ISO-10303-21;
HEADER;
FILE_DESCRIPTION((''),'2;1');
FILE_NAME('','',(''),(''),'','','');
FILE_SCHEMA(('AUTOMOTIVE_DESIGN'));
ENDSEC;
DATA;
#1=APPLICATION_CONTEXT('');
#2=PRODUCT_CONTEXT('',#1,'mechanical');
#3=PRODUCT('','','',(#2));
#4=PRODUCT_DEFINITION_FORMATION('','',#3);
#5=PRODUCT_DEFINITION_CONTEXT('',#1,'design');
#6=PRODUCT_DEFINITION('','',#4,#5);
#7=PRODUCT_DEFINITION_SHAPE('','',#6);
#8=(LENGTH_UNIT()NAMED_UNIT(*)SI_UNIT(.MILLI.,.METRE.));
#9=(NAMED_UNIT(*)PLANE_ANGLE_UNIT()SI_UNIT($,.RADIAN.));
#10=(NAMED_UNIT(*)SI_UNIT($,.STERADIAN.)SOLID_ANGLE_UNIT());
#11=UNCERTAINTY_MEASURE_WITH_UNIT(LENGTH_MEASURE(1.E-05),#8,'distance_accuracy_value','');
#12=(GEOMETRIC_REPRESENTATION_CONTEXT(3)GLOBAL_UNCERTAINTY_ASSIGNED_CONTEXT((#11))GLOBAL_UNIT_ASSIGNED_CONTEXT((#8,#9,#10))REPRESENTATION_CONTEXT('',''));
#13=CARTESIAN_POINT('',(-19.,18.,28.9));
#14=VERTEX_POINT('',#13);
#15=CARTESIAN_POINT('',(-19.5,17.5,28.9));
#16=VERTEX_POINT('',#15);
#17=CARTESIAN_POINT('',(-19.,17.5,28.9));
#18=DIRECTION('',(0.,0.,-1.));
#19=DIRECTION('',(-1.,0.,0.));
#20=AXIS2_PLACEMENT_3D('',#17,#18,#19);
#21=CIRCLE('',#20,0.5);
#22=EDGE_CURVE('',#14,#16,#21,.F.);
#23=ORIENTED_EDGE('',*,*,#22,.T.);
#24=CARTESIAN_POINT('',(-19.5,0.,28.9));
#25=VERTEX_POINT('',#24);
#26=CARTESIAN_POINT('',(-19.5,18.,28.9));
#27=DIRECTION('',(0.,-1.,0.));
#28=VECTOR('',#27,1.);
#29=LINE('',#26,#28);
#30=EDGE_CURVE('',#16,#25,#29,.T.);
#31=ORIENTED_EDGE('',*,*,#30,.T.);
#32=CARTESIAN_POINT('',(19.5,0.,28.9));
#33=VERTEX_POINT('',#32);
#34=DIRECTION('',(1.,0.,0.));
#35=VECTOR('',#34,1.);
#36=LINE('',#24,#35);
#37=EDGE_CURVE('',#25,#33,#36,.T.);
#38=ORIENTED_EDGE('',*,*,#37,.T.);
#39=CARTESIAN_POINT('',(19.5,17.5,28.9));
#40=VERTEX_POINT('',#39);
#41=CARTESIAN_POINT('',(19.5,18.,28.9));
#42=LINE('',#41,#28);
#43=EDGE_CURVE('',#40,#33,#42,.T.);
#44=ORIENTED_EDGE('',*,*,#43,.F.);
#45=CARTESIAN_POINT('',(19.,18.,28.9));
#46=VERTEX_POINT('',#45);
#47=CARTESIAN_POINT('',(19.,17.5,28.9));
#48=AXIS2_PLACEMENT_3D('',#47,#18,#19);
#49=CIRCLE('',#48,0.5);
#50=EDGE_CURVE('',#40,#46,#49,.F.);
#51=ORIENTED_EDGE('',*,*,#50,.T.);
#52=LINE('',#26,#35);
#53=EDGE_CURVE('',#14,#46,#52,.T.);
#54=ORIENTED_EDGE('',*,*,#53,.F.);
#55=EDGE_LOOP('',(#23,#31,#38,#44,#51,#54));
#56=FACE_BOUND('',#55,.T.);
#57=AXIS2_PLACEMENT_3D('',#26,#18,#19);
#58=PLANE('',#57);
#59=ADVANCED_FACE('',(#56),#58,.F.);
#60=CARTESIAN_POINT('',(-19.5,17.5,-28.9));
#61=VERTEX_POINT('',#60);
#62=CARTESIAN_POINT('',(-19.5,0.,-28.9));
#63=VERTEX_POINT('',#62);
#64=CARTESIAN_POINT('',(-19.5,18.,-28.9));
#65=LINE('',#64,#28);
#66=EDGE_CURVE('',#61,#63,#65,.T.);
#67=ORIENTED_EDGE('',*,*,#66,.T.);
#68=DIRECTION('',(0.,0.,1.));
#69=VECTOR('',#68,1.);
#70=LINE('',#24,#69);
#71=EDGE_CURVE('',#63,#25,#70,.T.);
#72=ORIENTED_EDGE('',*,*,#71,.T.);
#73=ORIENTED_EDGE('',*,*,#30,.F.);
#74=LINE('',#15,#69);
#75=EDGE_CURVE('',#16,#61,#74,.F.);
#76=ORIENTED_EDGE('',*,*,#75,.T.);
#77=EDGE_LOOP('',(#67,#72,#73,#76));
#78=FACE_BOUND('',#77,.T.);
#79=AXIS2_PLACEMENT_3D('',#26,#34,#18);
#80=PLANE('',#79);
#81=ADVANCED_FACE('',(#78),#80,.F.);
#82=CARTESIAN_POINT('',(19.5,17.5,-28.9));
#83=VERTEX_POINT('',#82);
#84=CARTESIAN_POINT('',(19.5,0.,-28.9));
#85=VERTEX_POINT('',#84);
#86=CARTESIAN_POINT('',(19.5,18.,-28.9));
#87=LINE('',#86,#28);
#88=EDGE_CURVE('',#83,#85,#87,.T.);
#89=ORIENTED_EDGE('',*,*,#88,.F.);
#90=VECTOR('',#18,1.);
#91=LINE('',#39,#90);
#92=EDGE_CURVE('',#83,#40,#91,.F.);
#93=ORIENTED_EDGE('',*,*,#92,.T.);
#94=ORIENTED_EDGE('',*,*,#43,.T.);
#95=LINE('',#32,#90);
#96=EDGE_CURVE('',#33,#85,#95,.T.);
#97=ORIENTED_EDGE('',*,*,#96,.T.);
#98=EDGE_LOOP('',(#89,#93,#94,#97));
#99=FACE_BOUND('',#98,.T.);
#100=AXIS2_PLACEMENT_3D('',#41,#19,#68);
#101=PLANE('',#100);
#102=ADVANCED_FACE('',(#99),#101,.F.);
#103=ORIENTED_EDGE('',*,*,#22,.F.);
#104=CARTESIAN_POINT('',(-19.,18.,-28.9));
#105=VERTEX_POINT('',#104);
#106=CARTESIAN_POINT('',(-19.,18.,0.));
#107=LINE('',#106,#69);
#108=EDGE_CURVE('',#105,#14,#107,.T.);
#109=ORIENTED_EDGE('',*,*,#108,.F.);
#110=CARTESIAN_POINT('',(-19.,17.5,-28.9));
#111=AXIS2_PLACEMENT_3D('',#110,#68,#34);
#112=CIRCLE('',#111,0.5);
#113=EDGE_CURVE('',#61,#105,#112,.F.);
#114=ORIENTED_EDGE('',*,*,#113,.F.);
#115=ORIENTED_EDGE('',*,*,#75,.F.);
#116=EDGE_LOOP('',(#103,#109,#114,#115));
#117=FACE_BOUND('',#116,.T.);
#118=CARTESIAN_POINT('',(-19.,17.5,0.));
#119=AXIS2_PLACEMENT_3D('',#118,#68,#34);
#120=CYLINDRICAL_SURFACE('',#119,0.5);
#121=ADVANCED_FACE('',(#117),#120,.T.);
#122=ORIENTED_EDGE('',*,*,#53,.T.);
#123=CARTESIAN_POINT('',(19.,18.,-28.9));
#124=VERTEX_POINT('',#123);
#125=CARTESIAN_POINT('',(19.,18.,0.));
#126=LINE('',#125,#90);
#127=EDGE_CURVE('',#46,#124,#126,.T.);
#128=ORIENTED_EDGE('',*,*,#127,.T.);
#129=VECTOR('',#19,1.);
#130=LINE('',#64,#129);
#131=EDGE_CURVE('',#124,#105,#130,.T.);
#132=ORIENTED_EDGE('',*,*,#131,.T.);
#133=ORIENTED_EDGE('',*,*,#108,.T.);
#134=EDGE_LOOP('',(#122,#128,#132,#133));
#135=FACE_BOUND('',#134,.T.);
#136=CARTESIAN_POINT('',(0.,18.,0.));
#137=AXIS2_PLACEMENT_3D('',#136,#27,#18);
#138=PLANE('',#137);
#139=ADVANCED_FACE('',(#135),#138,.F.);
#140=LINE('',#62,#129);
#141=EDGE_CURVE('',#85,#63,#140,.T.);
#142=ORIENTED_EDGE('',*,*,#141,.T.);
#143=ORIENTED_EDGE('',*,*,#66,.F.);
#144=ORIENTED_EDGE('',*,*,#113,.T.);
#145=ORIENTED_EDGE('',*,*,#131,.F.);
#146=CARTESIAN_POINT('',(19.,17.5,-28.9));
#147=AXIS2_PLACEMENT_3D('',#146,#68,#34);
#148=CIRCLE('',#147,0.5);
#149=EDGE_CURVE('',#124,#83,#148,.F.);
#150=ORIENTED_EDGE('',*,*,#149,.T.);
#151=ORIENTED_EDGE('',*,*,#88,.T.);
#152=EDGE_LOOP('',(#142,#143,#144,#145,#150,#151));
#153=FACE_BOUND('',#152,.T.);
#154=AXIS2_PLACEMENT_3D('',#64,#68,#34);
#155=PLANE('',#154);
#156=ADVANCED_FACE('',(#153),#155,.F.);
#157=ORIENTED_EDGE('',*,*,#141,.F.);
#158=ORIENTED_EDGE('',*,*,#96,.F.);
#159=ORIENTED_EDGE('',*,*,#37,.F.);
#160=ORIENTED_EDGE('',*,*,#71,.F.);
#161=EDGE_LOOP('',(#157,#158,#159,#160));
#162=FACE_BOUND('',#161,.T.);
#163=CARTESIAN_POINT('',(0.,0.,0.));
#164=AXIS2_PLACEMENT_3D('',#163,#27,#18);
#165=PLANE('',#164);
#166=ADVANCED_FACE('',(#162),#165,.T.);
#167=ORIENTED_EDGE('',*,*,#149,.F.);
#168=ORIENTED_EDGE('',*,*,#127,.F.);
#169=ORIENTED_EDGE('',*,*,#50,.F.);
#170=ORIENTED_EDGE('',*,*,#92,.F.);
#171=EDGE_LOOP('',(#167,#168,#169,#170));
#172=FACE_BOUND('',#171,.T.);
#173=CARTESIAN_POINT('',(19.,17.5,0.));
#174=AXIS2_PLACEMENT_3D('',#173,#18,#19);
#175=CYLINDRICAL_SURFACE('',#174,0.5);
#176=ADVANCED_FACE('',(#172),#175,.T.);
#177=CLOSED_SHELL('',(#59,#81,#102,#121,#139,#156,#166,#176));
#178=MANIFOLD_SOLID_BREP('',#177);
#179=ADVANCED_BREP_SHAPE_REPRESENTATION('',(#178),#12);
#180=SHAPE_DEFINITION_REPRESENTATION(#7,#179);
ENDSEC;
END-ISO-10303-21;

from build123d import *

# Parameters (mm, degrees)
SKETCH_1_W      = 39
SKETCH_1_H      = 57.8
EXTRUDE_1_DEPTH = 18
FILLET_1_R      = 0.5


with BuildPart() as part:
    # 草图1 → 凸台-拉伸1 (new body)
    with BuildSketch(Plane(origin=(0, 0, 0), x_dir=(1, 0, 0), z_dir=(0, 1, 0))):
        Rectangle(SKETCH_1_W, SKETCH_1_H)
    extrude(amount=EXTRUDE_1_DEPTH)

    # 圆角1
    fillet_1_edges = [part.edges().sort_by_distance(p)[0] for p in [
        (-19.5, 18, 0),
        (19.5, 18, 0),
    ]]
    fillet(fillet_1_edges, radius=FILLET_1_R)


solid = part.part
